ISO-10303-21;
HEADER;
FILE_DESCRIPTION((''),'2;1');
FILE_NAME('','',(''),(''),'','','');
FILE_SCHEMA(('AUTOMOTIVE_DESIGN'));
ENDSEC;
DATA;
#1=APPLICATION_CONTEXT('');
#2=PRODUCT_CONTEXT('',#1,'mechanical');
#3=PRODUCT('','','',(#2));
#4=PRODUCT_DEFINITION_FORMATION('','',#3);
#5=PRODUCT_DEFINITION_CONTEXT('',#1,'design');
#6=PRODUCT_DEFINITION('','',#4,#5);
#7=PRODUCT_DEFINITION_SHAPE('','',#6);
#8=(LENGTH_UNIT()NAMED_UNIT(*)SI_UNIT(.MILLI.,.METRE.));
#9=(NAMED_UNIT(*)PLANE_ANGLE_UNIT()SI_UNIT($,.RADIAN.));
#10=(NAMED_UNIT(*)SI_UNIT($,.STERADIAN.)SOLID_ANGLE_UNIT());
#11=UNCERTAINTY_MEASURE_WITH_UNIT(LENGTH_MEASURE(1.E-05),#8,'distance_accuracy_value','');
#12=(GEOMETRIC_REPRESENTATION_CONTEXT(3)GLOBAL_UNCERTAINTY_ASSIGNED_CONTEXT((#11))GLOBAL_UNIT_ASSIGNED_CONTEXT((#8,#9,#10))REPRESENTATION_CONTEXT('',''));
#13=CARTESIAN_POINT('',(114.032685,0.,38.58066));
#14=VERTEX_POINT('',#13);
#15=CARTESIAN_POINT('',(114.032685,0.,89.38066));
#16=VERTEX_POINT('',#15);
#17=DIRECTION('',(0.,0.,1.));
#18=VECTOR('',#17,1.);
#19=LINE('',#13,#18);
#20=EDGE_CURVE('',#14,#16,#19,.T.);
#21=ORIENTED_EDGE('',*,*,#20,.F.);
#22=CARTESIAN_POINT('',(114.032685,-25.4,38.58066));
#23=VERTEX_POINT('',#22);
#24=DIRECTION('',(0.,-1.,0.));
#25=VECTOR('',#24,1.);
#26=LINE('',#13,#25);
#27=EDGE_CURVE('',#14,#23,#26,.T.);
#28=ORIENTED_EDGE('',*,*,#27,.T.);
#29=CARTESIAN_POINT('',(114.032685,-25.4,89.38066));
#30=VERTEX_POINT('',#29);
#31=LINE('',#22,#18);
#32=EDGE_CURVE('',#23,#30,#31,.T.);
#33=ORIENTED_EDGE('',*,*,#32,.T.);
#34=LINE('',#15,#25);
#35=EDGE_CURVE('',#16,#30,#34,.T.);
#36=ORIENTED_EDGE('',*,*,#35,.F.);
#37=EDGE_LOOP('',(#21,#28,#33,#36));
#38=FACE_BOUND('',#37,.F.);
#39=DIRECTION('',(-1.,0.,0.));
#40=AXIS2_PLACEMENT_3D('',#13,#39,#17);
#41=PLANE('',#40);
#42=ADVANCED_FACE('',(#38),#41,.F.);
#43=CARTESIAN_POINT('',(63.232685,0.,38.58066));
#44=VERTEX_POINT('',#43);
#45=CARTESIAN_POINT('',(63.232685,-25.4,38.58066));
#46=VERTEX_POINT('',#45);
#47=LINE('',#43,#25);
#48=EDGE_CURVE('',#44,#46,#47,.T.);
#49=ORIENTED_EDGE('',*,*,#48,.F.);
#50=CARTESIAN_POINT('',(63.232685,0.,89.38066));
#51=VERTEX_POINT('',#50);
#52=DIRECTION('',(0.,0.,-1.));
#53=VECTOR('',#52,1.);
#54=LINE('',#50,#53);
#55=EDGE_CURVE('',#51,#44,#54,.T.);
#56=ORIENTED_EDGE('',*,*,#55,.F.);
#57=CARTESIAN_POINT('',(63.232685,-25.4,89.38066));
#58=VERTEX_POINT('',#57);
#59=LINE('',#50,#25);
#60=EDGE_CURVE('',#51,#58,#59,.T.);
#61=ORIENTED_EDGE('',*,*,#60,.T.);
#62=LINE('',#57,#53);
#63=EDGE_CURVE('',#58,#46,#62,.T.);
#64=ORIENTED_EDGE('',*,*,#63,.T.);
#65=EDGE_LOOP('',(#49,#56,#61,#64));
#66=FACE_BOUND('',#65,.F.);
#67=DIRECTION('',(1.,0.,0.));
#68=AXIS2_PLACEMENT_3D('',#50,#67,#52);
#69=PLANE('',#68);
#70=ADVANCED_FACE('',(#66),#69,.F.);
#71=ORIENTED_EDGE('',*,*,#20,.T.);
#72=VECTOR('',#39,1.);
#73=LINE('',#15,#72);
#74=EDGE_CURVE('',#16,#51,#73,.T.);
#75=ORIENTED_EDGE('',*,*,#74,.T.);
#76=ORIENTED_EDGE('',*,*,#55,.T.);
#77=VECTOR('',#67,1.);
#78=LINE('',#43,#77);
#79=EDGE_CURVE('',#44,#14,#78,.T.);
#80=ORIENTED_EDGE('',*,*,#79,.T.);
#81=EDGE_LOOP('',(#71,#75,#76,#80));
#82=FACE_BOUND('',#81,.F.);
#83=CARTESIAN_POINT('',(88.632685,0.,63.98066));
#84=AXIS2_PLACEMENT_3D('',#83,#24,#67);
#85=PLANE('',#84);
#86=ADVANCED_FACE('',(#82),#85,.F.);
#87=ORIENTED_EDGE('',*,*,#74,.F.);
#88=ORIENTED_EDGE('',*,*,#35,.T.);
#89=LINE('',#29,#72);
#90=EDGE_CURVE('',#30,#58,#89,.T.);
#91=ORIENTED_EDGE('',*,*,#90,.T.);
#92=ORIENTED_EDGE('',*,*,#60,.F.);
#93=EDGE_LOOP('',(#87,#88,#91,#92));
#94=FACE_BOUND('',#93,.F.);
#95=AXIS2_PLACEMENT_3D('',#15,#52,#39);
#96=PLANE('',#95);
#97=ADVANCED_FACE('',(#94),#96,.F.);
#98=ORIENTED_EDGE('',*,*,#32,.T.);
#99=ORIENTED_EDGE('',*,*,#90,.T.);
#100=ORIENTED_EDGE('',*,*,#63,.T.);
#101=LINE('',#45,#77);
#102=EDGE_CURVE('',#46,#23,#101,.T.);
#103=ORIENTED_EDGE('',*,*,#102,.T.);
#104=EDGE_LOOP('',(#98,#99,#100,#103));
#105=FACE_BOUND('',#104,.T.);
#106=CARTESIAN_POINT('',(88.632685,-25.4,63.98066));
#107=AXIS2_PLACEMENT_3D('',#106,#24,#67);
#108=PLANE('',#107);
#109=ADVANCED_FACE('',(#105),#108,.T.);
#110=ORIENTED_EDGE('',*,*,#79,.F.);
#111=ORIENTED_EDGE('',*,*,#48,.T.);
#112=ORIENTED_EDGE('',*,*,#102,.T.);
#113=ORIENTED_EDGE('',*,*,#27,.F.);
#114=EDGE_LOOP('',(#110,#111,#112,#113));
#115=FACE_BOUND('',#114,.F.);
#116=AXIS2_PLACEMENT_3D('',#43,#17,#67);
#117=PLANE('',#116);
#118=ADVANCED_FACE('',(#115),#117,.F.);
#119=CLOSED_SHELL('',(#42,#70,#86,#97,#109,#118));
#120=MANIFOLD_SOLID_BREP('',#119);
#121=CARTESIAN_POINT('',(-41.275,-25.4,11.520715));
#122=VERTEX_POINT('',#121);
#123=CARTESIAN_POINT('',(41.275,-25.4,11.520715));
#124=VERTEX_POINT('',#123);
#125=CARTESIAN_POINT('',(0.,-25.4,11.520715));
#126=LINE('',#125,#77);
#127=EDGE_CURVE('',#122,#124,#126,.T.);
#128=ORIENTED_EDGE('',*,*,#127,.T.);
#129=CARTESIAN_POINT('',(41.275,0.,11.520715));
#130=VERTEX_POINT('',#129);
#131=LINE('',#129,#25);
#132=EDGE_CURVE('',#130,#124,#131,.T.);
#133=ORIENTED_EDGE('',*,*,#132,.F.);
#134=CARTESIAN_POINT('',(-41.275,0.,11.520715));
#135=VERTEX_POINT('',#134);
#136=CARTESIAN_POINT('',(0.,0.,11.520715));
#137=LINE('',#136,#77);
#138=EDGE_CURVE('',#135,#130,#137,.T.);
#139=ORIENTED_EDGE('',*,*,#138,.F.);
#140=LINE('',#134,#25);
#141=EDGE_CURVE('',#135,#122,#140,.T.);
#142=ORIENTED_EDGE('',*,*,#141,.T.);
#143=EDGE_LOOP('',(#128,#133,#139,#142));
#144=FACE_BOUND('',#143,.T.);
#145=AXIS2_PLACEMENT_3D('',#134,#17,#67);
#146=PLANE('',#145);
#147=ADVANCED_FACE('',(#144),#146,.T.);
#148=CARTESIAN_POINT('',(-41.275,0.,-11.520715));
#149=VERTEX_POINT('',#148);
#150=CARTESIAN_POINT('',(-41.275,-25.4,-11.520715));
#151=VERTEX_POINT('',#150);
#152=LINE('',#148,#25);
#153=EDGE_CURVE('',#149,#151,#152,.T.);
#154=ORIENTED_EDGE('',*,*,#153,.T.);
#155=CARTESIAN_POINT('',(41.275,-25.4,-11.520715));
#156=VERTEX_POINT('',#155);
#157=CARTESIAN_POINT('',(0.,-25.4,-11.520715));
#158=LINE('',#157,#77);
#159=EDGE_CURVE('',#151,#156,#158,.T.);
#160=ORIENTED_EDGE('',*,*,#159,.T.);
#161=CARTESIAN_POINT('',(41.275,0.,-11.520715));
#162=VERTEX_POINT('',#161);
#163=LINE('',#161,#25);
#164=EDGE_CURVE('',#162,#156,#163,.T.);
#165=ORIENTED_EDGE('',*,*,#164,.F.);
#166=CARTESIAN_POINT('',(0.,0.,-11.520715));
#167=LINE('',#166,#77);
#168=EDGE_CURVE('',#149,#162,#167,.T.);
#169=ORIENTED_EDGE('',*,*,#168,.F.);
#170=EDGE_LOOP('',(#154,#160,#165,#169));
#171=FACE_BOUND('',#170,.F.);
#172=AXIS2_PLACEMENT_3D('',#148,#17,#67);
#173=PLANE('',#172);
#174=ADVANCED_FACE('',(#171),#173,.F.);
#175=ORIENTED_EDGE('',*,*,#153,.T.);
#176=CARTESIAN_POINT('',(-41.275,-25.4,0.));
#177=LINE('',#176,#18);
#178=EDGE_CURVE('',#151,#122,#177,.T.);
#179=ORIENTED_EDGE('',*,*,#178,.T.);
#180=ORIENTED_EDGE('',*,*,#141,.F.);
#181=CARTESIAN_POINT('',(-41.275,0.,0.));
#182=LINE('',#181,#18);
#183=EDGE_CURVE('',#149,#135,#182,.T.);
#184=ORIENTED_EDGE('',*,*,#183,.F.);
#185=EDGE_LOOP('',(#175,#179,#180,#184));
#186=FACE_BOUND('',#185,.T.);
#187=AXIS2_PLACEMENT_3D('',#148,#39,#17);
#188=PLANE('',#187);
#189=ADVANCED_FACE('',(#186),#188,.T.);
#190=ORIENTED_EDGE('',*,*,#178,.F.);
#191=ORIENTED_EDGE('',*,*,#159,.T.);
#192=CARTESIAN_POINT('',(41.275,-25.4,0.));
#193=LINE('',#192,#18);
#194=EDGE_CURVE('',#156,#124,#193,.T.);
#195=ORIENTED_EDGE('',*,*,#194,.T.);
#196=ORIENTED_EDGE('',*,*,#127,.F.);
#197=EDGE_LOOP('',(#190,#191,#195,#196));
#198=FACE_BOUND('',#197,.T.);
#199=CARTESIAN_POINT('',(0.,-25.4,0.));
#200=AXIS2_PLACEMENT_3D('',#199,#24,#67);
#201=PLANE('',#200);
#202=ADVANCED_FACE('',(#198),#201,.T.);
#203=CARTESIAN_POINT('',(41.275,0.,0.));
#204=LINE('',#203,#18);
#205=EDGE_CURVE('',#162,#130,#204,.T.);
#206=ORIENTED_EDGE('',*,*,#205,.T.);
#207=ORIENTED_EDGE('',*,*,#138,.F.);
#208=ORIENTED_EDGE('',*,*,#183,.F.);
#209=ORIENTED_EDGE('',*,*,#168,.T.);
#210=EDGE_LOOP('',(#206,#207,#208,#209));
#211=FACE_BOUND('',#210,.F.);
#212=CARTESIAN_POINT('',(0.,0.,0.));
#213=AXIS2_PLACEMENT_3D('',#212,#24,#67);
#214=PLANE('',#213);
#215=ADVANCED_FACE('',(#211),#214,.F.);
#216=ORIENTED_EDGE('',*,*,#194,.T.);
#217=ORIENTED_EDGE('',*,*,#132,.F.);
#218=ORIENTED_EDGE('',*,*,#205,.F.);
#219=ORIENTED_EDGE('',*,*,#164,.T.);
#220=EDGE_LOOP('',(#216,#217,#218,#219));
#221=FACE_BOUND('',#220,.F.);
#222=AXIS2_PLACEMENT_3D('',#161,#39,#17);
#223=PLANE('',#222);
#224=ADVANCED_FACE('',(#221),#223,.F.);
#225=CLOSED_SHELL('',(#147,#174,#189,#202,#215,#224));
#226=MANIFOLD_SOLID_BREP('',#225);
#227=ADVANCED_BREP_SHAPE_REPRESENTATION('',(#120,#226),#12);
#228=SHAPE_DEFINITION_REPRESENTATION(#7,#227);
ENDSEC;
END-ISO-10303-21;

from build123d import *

# Parameters (mm, degrees)
F0_W     = 82.55
F0_H     = 23.04143
F1_DEPTH = 25.4


with BuildPart() as f1:
    # F0 (on Front) → F1 (new body)
    with BuildSketch(Plane.XZ):
        Polygon((63.232685, 89.38066), (63.232685, 46.714649), (63.232685, 38.58066), (114.032685, 38.58066), (114.032685, 89.38066), align=None)
        Rectangle(F0_W, F0_H)
    extrude(amount=F1_DEPTH)


solid = f1.part
